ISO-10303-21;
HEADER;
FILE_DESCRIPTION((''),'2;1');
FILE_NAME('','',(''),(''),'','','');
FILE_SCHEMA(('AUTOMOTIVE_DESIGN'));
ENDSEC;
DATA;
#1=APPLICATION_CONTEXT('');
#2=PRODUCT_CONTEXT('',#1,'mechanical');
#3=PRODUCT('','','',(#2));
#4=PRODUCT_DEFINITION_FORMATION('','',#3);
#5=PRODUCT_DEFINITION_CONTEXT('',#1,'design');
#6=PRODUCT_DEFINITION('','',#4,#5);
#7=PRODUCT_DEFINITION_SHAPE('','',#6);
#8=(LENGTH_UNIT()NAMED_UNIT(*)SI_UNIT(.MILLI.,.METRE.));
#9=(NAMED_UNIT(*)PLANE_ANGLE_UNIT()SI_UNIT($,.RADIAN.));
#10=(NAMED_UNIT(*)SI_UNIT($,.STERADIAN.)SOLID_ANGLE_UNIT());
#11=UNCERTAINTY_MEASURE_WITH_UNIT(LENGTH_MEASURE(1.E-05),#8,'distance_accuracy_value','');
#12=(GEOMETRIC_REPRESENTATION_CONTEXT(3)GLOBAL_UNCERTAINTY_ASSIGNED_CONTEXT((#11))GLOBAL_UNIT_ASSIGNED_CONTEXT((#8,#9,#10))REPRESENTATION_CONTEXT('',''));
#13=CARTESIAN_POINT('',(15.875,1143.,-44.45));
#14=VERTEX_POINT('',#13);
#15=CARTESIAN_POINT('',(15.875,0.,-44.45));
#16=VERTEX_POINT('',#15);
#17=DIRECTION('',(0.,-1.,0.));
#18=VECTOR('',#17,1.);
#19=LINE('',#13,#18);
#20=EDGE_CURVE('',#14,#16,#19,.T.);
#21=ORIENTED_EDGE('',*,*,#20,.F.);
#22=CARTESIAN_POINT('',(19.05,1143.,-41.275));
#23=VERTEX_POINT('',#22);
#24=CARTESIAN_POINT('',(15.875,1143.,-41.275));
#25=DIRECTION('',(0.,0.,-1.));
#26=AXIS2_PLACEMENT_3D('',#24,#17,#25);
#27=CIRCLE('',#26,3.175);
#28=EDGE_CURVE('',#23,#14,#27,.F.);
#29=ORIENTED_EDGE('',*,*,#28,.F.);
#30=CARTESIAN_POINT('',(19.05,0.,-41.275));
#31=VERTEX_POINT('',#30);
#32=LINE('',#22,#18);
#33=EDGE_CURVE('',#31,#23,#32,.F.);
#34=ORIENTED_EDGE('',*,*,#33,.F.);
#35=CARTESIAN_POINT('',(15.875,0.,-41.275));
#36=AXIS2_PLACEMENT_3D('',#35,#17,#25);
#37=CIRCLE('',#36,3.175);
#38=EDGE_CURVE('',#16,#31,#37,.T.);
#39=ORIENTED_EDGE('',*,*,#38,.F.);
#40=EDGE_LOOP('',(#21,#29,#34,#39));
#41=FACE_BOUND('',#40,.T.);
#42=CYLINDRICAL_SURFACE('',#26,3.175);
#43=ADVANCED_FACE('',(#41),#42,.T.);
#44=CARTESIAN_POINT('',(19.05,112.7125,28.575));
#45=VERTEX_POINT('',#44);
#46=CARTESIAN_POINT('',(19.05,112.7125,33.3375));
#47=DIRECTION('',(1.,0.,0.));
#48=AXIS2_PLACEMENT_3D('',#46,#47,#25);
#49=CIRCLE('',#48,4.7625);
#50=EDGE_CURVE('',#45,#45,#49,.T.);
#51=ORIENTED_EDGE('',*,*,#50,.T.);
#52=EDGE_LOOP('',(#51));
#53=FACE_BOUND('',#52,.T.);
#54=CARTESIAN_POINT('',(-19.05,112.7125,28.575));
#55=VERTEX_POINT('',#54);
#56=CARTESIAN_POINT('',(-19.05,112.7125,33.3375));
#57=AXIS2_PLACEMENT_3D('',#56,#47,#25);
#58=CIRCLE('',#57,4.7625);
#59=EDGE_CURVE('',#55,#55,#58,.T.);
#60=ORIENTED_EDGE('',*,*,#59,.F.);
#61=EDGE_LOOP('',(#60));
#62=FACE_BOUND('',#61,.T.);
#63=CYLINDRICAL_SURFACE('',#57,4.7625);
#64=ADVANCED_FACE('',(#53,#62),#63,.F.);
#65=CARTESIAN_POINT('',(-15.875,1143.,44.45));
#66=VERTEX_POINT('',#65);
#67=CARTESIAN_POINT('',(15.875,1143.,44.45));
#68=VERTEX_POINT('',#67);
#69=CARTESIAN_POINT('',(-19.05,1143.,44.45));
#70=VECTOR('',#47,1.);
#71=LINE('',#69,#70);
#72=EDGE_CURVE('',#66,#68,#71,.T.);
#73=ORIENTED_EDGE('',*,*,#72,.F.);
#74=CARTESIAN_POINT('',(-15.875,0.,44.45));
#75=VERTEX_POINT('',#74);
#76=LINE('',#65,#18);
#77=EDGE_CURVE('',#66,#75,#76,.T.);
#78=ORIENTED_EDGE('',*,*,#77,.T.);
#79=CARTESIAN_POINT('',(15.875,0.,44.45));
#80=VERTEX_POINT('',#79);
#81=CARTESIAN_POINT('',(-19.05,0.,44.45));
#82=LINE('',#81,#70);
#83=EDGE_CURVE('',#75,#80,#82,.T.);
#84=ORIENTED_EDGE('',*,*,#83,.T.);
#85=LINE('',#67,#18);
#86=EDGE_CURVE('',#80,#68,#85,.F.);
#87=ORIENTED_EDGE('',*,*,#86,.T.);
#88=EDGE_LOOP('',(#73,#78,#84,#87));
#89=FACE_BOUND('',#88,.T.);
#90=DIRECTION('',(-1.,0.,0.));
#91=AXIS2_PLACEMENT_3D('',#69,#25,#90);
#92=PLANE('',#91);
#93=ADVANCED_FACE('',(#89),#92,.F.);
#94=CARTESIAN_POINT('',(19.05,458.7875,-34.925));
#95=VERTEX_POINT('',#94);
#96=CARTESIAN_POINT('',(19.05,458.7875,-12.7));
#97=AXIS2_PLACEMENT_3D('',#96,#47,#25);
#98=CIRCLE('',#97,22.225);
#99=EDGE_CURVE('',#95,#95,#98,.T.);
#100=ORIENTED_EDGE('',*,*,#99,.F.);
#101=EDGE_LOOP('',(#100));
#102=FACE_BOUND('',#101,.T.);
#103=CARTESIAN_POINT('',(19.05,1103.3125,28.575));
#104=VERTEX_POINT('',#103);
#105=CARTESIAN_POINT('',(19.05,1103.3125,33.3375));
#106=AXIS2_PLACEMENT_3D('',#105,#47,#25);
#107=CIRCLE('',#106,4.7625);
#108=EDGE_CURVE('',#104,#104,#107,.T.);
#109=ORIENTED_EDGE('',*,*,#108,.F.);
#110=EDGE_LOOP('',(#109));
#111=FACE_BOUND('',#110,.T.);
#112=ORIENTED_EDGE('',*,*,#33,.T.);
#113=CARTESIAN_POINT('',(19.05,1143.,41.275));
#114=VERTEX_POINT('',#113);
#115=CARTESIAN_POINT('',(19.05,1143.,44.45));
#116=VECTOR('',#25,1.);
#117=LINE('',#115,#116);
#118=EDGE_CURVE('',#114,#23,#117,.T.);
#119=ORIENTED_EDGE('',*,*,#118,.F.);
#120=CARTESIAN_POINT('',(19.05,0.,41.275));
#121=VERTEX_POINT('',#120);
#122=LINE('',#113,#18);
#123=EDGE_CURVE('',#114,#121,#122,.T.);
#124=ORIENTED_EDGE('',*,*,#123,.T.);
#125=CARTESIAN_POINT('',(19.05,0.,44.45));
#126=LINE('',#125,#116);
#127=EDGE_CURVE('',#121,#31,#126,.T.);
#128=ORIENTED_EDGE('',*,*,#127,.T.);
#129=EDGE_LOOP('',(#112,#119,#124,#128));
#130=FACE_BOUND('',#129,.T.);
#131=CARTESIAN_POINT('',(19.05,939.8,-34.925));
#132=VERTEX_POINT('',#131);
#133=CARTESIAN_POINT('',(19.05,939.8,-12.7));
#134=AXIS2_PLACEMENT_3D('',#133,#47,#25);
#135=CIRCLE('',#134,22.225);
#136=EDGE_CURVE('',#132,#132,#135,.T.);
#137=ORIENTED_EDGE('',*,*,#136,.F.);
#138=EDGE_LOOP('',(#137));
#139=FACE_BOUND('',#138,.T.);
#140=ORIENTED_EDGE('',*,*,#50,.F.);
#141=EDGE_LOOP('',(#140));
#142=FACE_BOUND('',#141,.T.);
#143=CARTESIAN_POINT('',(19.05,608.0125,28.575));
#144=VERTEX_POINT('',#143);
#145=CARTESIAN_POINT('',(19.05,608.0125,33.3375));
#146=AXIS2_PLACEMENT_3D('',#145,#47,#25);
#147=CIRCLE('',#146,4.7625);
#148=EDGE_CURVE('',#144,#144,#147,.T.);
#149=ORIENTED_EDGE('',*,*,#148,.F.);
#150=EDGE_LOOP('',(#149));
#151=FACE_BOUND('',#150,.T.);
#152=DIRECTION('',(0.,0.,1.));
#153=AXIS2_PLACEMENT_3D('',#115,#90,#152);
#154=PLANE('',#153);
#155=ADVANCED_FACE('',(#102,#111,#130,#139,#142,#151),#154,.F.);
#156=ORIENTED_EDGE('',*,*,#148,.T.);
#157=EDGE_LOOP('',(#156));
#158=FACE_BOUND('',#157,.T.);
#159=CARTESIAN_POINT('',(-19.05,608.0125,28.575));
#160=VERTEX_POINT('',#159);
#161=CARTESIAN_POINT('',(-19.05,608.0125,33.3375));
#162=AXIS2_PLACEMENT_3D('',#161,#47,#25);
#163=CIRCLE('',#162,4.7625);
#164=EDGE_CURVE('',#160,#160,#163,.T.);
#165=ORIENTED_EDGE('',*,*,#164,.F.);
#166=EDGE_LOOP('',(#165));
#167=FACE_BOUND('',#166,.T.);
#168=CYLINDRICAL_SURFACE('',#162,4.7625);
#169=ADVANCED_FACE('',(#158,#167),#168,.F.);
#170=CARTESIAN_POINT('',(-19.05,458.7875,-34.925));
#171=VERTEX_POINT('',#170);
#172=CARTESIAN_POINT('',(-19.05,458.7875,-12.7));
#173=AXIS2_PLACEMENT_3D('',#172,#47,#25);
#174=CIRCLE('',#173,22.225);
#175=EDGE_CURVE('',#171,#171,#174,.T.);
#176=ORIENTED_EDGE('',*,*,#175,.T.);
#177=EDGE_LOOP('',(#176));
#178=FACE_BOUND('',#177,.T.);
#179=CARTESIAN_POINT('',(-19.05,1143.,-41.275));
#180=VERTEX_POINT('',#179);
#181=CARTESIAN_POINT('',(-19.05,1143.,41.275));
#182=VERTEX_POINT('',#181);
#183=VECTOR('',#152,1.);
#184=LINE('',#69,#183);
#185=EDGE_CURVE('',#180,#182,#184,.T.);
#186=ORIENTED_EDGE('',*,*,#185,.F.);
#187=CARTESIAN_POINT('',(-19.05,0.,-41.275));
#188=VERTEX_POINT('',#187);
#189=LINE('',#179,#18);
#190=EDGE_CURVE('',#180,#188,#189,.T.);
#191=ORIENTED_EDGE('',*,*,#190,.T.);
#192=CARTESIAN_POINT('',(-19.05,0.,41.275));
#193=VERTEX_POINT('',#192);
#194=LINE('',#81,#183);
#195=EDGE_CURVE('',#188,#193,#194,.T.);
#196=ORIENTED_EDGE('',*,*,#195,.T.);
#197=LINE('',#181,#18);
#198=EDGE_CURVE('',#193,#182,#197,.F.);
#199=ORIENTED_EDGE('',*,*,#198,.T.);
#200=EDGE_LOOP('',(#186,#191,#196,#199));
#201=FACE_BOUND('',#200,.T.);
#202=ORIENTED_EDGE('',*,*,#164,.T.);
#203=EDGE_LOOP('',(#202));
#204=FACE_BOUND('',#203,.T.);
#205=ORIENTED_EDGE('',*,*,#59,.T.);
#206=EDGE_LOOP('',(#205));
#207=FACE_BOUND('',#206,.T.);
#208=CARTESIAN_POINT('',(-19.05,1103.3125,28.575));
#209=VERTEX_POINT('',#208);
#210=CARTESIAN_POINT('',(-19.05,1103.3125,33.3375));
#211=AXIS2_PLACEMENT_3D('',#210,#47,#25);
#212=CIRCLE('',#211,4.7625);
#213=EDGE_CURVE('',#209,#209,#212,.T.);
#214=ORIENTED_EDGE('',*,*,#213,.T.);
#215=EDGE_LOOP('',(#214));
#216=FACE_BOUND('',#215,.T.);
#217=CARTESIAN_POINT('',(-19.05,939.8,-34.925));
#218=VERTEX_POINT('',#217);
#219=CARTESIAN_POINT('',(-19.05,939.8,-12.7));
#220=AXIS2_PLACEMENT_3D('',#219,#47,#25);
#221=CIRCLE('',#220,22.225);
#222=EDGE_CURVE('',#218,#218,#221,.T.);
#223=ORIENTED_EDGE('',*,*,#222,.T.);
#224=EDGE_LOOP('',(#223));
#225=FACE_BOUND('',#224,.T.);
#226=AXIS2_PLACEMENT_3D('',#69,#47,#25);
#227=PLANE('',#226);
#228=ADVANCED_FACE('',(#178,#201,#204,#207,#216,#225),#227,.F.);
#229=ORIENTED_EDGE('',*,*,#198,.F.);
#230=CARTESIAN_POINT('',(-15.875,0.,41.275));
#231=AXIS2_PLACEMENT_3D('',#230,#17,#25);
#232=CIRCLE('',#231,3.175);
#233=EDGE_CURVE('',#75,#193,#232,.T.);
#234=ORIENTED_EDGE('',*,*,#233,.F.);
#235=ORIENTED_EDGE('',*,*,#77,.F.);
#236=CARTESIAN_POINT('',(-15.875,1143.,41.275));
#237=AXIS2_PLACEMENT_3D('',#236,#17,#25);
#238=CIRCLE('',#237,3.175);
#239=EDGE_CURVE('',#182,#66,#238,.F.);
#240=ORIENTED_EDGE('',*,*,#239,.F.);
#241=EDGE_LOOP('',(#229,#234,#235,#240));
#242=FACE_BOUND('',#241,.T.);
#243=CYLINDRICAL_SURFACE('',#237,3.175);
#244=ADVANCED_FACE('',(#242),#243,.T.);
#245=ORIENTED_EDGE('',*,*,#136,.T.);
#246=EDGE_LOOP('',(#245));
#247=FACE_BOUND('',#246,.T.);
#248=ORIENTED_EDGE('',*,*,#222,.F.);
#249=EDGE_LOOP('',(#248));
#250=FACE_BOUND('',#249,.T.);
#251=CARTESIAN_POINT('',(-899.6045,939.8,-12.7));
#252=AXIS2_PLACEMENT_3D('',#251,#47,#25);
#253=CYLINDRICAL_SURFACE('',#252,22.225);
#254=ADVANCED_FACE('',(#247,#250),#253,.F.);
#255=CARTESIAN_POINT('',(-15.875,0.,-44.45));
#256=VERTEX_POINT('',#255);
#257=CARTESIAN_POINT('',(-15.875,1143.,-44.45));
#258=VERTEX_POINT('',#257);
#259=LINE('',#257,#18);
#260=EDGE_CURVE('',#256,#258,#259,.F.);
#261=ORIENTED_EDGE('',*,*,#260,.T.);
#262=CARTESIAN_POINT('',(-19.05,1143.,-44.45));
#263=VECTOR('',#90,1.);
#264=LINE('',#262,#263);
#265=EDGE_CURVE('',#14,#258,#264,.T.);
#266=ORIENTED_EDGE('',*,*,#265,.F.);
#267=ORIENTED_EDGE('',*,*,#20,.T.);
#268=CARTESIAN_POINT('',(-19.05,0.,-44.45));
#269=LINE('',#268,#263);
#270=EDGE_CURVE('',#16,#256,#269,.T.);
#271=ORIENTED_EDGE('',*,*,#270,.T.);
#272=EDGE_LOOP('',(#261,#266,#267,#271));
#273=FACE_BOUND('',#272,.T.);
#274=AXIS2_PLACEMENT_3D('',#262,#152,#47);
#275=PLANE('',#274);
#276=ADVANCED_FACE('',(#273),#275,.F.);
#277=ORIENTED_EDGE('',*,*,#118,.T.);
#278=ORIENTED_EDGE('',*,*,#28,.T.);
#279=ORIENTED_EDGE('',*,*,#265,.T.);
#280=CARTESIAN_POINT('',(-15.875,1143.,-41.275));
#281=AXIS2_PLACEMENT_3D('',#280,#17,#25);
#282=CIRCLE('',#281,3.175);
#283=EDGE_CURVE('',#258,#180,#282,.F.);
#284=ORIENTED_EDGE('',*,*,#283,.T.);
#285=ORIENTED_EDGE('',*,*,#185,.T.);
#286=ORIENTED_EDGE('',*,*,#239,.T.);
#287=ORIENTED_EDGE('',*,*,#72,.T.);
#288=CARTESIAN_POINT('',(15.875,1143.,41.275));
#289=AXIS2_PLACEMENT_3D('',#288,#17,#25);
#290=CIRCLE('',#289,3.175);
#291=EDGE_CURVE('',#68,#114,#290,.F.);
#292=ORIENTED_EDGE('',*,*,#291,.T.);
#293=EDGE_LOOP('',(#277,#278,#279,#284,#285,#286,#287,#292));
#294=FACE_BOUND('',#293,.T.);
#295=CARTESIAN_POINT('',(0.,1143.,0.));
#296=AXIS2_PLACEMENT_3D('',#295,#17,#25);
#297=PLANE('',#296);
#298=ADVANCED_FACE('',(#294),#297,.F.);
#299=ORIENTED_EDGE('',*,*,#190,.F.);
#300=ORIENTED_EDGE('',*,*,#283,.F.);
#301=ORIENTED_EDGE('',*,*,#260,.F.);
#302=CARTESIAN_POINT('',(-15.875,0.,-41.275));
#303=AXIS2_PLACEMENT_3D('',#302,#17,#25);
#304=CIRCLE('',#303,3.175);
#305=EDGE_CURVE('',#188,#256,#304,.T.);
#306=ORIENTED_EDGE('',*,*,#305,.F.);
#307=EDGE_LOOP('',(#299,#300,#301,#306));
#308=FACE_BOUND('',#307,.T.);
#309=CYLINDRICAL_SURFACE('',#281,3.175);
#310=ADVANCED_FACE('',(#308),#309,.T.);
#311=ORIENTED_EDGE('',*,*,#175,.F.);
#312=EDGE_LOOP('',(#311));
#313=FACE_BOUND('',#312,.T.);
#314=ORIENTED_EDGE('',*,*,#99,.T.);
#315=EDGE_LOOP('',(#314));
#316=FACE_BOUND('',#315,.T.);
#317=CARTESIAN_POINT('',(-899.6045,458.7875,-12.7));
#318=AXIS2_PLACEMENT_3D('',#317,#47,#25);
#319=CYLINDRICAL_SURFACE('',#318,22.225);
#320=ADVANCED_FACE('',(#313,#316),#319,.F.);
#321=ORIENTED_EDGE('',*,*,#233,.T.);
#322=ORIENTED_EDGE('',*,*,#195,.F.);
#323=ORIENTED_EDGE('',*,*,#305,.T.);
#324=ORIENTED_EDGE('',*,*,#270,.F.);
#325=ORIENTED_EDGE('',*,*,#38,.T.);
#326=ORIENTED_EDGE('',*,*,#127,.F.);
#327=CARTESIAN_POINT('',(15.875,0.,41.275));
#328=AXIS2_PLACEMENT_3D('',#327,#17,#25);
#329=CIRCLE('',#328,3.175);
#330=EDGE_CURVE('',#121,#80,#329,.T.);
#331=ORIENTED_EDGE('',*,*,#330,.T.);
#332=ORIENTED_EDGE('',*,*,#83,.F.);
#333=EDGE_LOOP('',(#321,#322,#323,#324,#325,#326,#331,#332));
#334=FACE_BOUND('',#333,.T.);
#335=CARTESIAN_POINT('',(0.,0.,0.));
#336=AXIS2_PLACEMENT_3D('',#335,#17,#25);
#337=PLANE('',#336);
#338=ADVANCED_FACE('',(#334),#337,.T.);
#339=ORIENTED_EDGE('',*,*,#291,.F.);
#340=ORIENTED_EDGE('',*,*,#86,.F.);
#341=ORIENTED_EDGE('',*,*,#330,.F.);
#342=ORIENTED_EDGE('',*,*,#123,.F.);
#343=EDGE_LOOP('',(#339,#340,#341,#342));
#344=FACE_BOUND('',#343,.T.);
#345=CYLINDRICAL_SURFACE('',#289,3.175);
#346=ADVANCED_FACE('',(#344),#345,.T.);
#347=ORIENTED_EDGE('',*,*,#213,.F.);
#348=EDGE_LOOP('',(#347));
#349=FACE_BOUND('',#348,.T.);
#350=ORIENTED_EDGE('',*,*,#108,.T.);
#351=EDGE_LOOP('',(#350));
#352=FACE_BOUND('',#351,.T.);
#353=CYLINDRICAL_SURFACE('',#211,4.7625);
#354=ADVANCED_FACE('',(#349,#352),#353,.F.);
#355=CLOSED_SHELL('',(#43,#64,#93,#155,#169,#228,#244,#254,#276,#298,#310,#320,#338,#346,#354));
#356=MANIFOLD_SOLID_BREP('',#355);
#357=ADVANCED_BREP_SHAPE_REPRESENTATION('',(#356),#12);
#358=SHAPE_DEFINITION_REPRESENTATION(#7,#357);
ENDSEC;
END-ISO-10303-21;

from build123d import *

# Parameters (mm, degrees)
SKETCH1_W           = 38.1
SKETCH1_H           = 88.9
BOSS_EXTRUDE1_DEPTH = 1143
SKETCH2_R           = 22.225
CUT_EXTRUDE4_DEPTH  = 918.6545
SKETCH3_R           = 4.7625
CUT_EXTRUDE5_DEPTH  = 1145.498323502
FILLET1_R           = 3.175


with BuildPart() as part:
    # Sketch1 → Boss-Extrude1 (new body)
    with BuildSketch(Plane(origin=(0, 0, 0), x_dir=(1, 0, 0), z_dir=(0, 1, 0))):
        Rectangle(SKETCH1_W, SKETCH1_H)
    extrude(amount=BOSS_EXTRUDE1_DEPTH)

    # Sketch2 → Cut-Extrude4 (cut)
    with BuildSketch(Plane(origin=(19.05, 0, 0), x_dir=(0, 0, -1), z_dir=(1, 0, 0))):
        with Locations((12.7, 458.7875)):
            Circle(SKETCH2_R)
        with Locations((12.7, 939.8)):
            Circle(SKETCH2_R)
    extrude(amount=-CUT_EXTRUDE4_DEPTH, mode=Mode.SUBTRACT)

    # Sketch3 → Cut-Extrude5 (cut, through all)
    with BuildSketch(Plane(origin=(19.05, 0, 0), x_dir=(0, 0, -1), z_dir=(1, 0, 0))):
        with Locations((-33.3375, 112.7125)):
            Circle(SKETCH3_R)
        with Locations((-33.3375, 608.0125)):
            Circle(SKETCH3_R)
        with Locations((-33.3375, 1103.3125)):
            Circle(SKETCH3_R)
    extrude(amount=-CUT_EXTRUDE5_DEPTH, mode=Mode.SUBTRACT)

    # Fillet1
    fillet1_edges = [part.edges().sort_by_distance(p)[0] for p in [
        (19.05, 571.5, 44.45),
        (-19.05, 571.5, 44.45),
        (-19.05, 571.5, -44.45),
        (19.05, 571.5, -44.45),
    ]]
    fillet(fillet1_edges, radius=FILLET1_R)


solid = part.part
